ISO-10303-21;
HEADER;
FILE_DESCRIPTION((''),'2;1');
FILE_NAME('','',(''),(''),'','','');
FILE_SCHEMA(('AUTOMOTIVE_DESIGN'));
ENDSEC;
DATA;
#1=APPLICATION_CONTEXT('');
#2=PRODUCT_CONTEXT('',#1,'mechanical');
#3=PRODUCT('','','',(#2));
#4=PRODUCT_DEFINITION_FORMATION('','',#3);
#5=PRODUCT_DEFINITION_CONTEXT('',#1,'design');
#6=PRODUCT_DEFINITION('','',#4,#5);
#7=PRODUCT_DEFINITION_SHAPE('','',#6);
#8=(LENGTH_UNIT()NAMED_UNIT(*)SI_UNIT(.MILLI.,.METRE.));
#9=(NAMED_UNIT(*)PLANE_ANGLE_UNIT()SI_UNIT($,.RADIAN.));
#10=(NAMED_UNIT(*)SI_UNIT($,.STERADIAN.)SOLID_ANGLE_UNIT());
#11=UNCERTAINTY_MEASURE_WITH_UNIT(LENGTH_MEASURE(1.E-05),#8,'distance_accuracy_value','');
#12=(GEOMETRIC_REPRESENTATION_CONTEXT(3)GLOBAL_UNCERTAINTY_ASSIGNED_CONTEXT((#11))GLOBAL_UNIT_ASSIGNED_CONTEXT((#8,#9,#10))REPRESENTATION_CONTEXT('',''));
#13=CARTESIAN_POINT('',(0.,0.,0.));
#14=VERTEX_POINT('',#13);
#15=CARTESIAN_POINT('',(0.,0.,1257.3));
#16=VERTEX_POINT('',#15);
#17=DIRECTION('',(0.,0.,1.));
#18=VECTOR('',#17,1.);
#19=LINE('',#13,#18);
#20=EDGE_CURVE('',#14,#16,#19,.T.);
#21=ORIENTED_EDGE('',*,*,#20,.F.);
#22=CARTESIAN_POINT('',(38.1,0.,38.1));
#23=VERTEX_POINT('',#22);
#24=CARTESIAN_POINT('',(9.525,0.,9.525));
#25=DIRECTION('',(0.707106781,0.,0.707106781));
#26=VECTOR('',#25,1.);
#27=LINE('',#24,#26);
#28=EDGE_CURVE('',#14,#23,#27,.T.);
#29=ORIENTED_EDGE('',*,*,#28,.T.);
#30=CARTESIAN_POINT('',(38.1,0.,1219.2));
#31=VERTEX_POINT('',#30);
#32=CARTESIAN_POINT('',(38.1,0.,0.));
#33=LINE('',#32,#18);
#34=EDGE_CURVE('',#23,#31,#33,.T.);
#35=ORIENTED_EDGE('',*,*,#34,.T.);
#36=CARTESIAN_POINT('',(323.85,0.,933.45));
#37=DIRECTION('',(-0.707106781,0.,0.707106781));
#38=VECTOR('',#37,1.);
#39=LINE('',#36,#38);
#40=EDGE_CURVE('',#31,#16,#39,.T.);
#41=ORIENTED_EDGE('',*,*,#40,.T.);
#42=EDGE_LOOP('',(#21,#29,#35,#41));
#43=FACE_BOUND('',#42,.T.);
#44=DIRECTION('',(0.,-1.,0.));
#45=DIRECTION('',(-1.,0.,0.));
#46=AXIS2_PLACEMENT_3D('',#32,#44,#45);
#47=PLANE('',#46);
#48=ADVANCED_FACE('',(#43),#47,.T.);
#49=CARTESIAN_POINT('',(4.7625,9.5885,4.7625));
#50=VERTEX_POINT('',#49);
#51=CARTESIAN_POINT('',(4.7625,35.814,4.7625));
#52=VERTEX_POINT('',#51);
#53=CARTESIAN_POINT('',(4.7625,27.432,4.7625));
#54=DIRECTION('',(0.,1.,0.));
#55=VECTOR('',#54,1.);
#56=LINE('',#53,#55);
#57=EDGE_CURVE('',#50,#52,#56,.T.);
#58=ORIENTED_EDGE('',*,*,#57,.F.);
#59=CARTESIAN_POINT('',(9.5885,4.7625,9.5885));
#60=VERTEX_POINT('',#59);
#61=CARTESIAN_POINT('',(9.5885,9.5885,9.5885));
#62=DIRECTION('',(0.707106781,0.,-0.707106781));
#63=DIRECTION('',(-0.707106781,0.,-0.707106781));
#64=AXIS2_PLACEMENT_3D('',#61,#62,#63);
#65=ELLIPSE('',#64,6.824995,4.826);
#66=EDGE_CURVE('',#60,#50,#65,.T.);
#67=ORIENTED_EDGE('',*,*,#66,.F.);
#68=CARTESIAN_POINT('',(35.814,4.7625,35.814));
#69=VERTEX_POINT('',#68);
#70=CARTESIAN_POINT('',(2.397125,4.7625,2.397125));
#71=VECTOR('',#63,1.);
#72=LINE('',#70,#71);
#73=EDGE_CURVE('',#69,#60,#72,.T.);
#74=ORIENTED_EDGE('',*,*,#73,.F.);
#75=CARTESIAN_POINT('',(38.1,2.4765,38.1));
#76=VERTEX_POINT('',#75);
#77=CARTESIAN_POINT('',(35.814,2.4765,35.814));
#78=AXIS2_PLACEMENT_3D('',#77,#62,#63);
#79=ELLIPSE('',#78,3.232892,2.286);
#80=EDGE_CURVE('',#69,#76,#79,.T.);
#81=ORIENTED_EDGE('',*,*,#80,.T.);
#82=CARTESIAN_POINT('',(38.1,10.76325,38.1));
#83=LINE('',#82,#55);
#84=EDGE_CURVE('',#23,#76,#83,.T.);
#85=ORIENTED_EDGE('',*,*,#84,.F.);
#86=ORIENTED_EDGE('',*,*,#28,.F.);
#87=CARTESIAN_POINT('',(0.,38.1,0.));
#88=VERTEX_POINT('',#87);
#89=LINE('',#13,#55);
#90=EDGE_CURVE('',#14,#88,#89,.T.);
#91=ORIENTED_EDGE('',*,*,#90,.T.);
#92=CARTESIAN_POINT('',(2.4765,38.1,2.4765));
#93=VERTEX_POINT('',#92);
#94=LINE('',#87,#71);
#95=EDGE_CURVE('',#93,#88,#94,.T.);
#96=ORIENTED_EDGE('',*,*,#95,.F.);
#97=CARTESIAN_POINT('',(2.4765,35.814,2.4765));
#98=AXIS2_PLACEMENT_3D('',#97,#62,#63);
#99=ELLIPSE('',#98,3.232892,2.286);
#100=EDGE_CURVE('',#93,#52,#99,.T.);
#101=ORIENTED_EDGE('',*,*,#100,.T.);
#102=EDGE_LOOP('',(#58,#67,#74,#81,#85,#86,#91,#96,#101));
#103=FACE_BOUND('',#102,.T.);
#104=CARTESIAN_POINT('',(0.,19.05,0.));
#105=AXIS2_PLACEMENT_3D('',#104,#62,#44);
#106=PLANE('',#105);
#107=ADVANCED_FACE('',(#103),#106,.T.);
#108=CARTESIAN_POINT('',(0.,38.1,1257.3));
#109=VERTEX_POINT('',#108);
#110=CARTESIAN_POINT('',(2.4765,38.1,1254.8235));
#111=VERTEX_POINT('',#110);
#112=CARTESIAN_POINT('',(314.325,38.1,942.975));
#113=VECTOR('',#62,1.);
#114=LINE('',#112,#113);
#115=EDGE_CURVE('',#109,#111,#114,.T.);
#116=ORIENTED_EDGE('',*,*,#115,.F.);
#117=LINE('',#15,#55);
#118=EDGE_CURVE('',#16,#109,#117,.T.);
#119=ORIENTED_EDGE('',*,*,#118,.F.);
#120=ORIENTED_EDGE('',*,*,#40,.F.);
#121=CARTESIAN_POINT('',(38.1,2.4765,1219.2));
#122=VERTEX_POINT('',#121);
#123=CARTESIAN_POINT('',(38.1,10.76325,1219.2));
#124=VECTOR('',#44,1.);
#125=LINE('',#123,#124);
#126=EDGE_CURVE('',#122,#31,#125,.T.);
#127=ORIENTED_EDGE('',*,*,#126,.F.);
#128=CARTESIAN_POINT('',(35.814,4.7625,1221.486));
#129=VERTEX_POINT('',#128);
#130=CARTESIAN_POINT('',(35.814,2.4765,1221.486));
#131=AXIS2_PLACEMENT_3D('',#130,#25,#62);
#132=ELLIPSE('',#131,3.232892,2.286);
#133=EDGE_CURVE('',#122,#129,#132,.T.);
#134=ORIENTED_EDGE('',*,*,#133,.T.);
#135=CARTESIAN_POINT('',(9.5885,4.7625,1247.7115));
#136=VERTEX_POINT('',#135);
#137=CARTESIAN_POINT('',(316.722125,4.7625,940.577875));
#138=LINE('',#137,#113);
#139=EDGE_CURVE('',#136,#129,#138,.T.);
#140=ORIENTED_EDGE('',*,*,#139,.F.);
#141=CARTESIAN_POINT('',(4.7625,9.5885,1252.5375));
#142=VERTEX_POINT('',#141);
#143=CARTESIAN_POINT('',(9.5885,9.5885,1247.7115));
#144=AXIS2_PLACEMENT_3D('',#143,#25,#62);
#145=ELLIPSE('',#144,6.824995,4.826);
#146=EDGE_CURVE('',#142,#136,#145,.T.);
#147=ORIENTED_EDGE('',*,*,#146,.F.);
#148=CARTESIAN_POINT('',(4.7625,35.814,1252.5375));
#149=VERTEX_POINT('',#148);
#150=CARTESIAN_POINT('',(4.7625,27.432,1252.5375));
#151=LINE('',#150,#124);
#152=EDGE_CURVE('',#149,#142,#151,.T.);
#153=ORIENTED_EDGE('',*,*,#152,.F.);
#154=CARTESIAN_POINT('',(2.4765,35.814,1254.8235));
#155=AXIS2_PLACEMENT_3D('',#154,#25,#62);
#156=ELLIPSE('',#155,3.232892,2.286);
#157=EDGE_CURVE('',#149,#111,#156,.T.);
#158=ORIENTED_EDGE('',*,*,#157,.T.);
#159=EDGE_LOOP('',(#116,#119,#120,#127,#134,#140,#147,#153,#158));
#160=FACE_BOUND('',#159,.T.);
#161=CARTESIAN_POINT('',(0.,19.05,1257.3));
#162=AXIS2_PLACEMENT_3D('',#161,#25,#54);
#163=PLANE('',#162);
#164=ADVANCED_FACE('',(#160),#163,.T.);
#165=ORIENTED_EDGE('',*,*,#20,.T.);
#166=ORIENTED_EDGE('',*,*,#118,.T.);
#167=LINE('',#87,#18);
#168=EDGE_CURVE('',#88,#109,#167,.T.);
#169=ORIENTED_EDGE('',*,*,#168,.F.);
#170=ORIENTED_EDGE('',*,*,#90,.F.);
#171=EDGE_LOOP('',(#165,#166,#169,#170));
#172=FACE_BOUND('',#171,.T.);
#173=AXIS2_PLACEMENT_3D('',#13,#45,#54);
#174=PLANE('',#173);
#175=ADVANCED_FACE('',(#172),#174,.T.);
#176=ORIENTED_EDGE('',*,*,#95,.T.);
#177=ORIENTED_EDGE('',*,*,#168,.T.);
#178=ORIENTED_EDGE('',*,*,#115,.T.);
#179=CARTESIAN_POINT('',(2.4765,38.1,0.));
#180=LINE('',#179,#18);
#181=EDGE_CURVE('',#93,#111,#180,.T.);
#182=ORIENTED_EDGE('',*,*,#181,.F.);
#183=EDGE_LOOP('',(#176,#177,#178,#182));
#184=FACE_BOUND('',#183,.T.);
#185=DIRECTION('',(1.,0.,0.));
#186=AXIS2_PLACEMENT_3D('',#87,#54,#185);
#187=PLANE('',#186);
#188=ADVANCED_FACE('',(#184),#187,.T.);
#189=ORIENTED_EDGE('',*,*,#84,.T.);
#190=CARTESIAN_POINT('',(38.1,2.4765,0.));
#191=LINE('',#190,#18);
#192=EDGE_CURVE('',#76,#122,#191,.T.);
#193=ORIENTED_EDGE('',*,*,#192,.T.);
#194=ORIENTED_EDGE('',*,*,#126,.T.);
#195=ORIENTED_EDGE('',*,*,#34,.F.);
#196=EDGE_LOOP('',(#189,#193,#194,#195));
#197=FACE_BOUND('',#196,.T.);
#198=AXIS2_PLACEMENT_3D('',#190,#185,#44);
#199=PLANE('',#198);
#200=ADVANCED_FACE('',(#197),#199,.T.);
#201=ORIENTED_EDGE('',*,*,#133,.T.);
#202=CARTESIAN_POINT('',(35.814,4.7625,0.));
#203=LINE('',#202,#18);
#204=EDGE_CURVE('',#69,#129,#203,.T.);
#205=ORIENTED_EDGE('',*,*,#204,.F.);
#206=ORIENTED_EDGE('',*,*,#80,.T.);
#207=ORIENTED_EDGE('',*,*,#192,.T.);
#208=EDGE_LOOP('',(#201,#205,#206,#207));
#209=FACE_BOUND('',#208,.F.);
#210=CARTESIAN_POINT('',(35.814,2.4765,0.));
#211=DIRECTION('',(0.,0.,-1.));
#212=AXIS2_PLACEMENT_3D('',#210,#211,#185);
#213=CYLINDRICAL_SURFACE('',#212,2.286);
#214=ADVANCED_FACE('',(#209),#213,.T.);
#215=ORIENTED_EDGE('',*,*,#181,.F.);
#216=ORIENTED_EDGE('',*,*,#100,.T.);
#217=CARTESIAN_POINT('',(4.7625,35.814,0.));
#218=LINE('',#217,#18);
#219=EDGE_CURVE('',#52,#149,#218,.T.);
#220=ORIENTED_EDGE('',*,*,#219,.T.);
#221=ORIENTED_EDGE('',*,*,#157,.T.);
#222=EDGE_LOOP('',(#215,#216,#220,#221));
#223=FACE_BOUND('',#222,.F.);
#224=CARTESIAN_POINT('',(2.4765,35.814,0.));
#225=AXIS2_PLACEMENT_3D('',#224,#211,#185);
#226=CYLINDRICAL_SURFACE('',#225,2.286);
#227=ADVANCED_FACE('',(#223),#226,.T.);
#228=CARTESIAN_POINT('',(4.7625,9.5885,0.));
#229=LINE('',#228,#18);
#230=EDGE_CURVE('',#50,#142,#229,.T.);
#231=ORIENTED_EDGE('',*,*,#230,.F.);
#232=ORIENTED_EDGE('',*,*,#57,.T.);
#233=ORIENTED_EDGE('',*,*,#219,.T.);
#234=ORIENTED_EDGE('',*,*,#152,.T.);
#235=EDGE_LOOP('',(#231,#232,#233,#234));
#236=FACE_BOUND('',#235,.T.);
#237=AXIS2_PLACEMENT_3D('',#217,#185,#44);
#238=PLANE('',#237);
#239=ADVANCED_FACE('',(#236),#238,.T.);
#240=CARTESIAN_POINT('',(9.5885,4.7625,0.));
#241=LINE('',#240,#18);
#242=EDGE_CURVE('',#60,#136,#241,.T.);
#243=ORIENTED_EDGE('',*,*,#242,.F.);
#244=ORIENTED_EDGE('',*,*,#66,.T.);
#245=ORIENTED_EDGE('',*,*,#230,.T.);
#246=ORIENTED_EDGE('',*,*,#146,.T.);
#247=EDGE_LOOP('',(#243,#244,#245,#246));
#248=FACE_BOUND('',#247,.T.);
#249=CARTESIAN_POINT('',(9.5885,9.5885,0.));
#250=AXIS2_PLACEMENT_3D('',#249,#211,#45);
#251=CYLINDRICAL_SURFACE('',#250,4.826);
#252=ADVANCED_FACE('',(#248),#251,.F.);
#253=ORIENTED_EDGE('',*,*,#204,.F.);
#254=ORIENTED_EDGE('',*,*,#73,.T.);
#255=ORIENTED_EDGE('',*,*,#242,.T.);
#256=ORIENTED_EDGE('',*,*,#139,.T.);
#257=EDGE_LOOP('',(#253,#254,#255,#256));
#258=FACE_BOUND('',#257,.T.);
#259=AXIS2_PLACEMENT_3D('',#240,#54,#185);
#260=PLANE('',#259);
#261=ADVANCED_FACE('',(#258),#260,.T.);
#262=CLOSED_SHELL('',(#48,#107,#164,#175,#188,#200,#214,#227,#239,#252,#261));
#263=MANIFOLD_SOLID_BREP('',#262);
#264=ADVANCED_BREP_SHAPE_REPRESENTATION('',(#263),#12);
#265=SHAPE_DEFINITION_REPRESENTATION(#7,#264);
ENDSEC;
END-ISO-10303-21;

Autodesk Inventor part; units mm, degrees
ref_plane "Start plane" through (0, 0, 0) normal (0, 0, 1) x (1, 0, 0)
ref_plane "End plane" through (0, 0, 1257.3) normal (0, 0, 1) x (1, 0, 0)
sketch "Sketch" plane through (0, 0, 0) normal (0, 0, 1) x (1, 0, 0)
  line L0 (38.1, 0) -> (0, 0)
  line L1 (0, 0) -> (0, 38.1)
  line L2 (0, 38.1) -> (2.4765, 38.1)
  line L3 (4.7625, 35.814) -> (4.7625, 9.5885)
  line L4 (9.5885, 4.7625) -> (35.814, 4.7625)
  line L5 (38.1, 2.4765) -> (38.1, 0)
  line L6 (0, -11.0414) -> (0, 31.5385) construction
  line L7 (-11.0414, 0) -> (31.5385, 0) construction
  arc A0 (4.7625, 9.5885) -> (9.5885, 4.7625) centre (9.5885, 9.5885) ccw
  arc A1 (4.7625, 35.814) -> (2.4765, 38.1) centre (2.4765, 35.814) ccw
  arc A2 (38.1, 2.4765) -> (35.814, 4.7625) centre (35.814, 2.4765) ccw
  line L8 (0, 48.4964) -> (0, -20.9644) construction
  line L9 (-20.9644, 0) -> (48.4964, 0) construction
  point P0 (4.7625, 38.1)
  point P1 (4.7625, 4.7625)
  point P2 (38.1, 4.7625)
  dimension "d0" = 38.1
  dimension "d1" = 38.1
  dimension "d2" = 4.7625
  dimension "d3" = 4.7625
  dimension "d10" = 0
  dimension "d11" = 0
  dimension "d14" = 4.826
  dimension "d15" = 2.286
extrude "Body" add sketch "Sketch" along normal up to surface (1257.3 mm away) from surface at 0
sketch "Sketch3" plane through (0, 0, 0) normal (0, 0, 1) x (1, 0, 0)
  line L0 (0, 0) -> (10, 0)
ref_plane "Work Plane3" through (0, 0, 0) normal (0, -1, 0) x (1, 0, 0)
sketch "Sketch4" plane through (0, 0, 0) normal (0, -1, 0) x (1, 0, 0)
  line L0 (-2, 0) -> (12, 0)
  line L1 (-2, 1257.3) -> (12, 1257.3)
  dimension "d17" = 1257.3
ref_plane "Work Plane4" through (0, 19.05, 1257.3) normal (0.7071, 0, 0.7071) x (0.7071, 0, -0.7071)
split "Split1" plane through (0, 19.05, 1257.3) removes the side toward (0.7071, 0, 0.7071)
ref_plane "Work Plane5" through (0, 19.05, 0) normal (0.7071, 0, -0.7071) x (-0.7071, 0, -0.7071)
split "Split2" plane through (0, 19.05, 0) removes the side toward (0.7071, 0, -0.7071)
equation "\"d0\" = G_H"
equation "\"d1\" = G_H"
equation "\"d2\" = G_T"
equation "\"d3\" = G_T"
equation "\"d14\" = G_IR"
equation "\"d15\" = G_ER"
equation "\"d4\" = G_L"
equation "\"G_H\" = 38.1"
equation "\"G_T\" = 4.7625"
equation "\"G_ER\" = 2.286"
equation "\"G_IR\" = 4.826"
equation "\"G_L\" = d17"
equation "\"ex\" = 0"
equation "\"G_OFFSET_START\" = 0"
equation "\"G_OFFSET_END\" = 0"
equation "\"d13\" = G_OFFSET_END + B_L"
equation "\"B_L\" = 1257.3"
properties part number "AISC - L 1.5 x 1.5 x 3/16 - 49.5" material "Aluminum 6061-AHC"
